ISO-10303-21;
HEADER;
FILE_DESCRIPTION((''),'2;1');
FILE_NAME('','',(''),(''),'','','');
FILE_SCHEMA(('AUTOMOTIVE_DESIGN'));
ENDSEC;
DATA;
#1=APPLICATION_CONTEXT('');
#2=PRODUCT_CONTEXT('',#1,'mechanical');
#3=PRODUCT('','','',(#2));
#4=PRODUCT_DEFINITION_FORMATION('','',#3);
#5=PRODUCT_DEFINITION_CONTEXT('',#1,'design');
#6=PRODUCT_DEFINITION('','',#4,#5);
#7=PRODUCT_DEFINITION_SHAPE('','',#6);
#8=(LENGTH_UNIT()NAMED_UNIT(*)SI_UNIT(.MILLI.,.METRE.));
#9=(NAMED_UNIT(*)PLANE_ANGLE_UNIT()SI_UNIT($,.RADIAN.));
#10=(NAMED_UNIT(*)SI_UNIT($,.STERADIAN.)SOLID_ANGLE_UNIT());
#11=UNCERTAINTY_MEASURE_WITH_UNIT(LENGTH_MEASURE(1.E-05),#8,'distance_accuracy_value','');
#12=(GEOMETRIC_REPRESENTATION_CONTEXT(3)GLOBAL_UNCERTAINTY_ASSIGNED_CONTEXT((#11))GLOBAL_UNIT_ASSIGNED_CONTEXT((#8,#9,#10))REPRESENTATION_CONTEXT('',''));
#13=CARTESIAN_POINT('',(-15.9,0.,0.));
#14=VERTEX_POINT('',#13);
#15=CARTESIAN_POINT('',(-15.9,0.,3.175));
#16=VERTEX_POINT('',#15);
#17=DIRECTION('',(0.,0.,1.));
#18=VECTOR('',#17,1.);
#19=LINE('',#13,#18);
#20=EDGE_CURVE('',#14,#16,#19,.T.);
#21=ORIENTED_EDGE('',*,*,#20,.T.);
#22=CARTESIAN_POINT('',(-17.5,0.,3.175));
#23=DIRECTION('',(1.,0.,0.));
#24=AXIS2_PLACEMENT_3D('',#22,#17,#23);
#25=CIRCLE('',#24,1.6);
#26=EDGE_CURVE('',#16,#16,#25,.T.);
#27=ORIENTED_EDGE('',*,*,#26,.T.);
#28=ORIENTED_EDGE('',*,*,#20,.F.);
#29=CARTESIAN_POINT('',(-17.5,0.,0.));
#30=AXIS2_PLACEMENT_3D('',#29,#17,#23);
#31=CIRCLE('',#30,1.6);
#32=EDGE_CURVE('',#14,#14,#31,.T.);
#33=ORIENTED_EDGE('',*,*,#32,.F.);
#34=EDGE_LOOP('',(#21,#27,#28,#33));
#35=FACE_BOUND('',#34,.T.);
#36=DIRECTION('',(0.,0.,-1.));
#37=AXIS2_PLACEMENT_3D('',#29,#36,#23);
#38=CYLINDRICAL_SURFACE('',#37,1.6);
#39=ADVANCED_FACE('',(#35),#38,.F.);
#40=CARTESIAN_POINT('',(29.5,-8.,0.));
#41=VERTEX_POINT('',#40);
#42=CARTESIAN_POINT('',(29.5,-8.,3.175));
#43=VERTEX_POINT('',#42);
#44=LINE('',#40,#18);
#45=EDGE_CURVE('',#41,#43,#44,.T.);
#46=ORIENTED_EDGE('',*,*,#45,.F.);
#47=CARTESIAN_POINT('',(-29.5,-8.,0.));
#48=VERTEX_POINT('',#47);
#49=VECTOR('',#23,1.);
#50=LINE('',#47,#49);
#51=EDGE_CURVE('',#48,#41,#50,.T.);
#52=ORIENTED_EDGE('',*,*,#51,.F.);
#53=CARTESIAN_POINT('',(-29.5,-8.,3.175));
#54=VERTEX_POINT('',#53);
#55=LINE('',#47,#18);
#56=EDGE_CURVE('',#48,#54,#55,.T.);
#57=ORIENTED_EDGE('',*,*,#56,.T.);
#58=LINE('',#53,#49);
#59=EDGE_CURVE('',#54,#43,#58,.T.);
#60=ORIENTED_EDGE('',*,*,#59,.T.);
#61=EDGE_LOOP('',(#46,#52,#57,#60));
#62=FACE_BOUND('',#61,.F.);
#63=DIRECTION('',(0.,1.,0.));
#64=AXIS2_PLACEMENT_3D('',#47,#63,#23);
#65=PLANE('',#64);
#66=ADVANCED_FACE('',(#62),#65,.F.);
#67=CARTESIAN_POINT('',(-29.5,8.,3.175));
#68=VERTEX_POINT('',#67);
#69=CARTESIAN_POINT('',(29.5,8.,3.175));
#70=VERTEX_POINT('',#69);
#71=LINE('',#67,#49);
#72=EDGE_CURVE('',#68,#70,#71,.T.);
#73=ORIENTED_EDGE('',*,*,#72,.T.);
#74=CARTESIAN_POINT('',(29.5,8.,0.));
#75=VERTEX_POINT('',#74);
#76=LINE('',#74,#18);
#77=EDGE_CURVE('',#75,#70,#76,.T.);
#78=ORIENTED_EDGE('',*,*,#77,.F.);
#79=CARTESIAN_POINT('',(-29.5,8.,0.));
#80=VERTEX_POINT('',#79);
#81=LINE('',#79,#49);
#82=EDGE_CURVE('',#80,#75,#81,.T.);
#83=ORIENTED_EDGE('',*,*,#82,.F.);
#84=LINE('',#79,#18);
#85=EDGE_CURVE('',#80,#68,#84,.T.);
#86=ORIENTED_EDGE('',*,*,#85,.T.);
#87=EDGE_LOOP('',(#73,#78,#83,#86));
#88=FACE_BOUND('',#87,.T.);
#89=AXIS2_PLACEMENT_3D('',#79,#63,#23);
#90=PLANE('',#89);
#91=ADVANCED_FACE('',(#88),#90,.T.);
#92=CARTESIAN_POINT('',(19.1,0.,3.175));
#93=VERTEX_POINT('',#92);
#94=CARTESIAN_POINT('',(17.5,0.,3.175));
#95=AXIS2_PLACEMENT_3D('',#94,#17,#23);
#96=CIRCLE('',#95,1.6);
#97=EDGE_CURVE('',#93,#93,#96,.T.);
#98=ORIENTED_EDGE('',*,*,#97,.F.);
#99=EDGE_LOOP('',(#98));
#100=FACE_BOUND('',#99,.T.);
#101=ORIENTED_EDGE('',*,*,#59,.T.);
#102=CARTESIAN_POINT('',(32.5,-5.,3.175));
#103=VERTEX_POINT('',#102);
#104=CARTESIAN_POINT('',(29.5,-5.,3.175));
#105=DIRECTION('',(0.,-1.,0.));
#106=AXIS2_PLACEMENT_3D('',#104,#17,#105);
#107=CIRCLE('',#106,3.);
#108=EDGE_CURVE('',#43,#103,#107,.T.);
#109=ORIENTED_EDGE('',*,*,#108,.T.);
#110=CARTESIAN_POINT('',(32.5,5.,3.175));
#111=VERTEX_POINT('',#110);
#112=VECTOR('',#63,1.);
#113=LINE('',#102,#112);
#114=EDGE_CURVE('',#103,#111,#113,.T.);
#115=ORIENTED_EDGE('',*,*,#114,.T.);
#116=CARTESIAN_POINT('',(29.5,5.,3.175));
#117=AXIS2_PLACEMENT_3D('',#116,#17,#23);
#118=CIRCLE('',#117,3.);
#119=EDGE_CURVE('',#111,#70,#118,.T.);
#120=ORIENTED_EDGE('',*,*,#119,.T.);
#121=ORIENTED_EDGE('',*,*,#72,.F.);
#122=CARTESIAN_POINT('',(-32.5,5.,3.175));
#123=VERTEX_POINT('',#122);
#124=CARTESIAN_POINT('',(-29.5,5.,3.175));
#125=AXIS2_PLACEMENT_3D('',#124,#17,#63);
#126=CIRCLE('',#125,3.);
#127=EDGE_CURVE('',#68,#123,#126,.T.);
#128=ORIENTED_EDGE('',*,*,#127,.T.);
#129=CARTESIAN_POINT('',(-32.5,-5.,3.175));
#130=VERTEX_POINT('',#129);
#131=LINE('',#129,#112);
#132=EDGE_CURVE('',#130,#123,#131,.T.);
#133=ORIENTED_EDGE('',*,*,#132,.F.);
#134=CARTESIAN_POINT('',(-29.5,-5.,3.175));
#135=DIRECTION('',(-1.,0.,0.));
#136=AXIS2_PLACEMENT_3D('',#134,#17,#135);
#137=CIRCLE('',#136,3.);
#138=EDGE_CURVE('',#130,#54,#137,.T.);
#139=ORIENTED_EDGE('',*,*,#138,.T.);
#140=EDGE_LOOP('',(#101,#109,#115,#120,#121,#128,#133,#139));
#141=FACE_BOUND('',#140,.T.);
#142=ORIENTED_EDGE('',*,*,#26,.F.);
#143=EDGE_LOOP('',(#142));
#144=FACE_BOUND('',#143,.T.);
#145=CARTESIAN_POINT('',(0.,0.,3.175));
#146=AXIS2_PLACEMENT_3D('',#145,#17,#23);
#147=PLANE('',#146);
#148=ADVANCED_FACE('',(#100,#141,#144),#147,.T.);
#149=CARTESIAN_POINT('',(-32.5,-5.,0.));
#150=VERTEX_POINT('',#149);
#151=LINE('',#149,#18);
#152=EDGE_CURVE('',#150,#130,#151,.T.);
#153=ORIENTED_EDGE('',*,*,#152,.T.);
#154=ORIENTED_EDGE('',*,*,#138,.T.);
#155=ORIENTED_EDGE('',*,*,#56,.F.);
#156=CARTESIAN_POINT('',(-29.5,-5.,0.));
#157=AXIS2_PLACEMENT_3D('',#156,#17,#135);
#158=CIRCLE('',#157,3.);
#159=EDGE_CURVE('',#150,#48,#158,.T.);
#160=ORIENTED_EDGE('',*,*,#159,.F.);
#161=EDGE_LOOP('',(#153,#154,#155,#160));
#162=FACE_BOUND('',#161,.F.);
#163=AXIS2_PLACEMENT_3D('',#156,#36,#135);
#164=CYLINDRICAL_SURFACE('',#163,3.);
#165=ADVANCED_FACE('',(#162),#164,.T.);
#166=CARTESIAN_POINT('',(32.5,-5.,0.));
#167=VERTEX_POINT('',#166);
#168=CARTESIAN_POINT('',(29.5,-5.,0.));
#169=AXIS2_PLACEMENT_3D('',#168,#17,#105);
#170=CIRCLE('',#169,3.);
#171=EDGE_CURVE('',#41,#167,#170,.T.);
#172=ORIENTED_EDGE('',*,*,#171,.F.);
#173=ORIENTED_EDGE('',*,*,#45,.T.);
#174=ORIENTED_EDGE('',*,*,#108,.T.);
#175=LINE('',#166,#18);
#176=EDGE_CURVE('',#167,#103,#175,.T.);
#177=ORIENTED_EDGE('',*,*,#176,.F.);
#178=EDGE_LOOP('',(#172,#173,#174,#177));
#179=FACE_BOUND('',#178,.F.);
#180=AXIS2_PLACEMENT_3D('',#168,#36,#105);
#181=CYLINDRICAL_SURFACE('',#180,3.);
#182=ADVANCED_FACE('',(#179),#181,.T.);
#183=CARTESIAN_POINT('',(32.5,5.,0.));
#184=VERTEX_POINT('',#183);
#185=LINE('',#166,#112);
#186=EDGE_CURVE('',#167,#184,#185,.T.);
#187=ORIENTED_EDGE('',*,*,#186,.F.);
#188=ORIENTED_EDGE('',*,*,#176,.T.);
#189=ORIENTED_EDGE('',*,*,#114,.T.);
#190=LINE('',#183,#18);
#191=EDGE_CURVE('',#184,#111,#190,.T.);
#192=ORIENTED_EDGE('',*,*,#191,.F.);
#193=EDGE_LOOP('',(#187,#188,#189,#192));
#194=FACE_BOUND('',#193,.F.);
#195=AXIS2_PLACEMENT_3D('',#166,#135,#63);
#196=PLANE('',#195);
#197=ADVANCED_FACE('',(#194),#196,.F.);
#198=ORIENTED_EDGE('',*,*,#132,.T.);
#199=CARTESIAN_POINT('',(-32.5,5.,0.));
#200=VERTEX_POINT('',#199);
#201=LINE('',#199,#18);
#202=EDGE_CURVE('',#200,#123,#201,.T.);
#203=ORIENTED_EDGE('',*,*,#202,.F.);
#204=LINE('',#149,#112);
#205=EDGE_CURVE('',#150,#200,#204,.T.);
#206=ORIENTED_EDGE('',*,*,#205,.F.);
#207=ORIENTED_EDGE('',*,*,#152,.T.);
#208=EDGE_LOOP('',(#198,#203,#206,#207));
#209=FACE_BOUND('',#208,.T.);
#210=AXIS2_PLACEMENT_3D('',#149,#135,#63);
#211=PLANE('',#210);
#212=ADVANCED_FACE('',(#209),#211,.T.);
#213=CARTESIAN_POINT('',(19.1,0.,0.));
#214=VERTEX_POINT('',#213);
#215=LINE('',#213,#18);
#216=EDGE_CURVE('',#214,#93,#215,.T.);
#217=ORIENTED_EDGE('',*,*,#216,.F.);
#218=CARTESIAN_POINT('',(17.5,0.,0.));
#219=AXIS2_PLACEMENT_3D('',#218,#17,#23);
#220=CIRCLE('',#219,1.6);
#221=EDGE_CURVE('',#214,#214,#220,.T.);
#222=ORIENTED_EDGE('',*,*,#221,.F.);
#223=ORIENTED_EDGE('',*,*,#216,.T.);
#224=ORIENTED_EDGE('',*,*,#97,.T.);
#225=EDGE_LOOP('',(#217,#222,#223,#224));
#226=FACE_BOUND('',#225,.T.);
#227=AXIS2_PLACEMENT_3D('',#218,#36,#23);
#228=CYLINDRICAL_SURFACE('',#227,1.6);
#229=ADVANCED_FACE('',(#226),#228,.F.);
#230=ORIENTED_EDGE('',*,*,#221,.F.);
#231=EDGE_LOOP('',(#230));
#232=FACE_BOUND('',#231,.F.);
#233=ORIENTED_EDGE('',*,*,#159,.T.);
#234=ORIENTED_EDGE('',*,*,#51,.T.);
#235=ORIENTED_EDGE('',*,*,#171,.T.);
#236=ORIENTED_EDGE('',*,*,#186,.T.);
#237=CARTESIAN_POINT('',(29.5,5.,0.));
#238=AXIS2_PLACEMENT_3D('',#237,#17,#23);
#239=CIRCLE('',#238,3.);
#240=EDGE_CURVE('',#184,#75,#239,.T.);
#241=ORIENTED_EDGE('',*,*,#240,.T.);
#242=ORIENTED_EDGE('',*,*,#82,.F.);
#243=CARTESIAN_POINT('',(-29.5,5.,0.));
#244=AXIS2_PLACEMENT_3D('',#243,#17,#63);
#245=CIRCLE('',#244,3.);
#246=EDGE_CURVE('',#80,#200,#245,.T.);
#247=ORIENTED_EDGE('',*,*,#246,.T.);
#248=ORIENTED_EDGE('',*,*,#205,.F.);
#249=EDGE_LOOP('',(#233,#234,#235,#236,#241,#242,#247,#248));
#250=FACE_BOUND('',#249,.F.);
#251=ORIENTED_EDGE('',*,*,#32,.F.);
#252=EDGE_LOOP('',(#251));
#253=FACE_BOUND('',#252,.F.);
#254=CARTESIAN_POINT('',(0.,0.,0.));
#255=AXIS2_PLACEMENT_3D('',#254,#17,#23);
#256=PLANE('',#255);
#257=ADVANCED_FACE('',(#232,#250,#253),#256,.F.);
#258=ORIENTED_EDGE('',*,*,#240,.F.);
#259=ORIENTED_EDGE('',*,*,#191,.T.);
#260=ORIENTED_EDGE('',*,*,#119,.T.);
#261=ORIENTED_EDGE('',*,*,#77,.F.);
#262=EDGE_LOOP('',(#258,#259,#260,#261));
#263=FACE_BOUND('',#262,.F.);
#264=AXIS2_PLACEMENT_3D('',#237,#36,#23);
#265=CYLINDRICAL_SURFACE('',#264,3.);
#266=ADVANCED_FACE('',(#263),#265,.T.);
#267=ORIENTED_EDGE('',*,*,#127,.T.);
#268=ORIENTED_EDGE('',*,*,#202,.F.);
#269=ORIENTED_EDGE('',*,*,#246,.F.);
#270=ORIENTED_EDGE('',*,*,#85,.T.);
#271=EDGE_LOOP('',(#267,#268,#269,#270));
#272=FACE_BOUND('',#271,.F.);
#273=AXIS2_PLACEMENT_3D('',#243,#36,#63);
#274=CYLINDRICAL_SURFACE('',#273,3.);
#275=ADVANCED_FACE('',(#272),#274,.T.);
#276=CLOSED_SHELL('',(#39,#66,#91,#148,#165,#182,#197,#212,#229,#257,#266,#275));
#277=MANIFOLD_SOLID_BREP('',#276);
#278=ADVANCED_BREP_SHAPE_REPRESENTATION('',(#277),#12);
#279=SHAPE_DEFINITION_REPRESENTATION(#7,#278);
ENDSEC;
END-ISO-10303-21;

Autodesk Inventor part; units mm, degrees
ref_plane "YZ Plane" through (0, 0, 0) normal (1, 0, 0) x (0, 1, 0)
ref_plane "XZ Plane" through (0, 0, 0) normal (0, 1, 0) x (-1, 0, 0)
ref_plane "XY Plane" through (0, 0, 0) normal (0, 0, 1) x (1, 0, 0)
sketch "Sketch1" plane through (0, 0, 0) normal (0, 0, 1) x (1, 0, 0)
  line L0 (-32.5, -5) -> (-32.5, 5)
  line L1 (-29.5, 8) -> (29.5, 8)
  line L2 (32.5, -5) -> (32.5, 5)
  line L3 (-29.5, -8) -> (29.5, -8)
  arc A0 (-29.5, 8) -> (-32.5, 5) centre (-29.5, 5) ccw
  arc A1 (-32.5, -5) -> (-29.5, -8) centre (-29.5, -5) ccw
  arc A2 (32.5, 5) -> (29.5, 8) centre (29.5, 5) ccw
  arc A3 (29.5, -8) -> (32.5, -5) centre (29.5, -5) ccw
  line L4 (0, 8) -> (0, -8) construction
  line L5 (-32.5, 0) -> (32.5, 0) construction
  circle A4 centre (-17.5, 0) radius 1.6
  circle A5 centre (17.5, 0) radius 1.6
  point P0 (-32.5, -8)
  point P1 (-32.5, 8)
  point P2 (32.5, -2.2581)
  point P3 (0, 0)
  point P4 (0, 0)
  dimension "d16" = 3
  dimension "d17" = 16
  dimension "d18" = 65
  dimension "d19" = 35
  dimension "d20" = 3.2
extrude "Extrusion1" add sketch "Sketch1" along normal blind 3.175
properties part number "shovel_side"
